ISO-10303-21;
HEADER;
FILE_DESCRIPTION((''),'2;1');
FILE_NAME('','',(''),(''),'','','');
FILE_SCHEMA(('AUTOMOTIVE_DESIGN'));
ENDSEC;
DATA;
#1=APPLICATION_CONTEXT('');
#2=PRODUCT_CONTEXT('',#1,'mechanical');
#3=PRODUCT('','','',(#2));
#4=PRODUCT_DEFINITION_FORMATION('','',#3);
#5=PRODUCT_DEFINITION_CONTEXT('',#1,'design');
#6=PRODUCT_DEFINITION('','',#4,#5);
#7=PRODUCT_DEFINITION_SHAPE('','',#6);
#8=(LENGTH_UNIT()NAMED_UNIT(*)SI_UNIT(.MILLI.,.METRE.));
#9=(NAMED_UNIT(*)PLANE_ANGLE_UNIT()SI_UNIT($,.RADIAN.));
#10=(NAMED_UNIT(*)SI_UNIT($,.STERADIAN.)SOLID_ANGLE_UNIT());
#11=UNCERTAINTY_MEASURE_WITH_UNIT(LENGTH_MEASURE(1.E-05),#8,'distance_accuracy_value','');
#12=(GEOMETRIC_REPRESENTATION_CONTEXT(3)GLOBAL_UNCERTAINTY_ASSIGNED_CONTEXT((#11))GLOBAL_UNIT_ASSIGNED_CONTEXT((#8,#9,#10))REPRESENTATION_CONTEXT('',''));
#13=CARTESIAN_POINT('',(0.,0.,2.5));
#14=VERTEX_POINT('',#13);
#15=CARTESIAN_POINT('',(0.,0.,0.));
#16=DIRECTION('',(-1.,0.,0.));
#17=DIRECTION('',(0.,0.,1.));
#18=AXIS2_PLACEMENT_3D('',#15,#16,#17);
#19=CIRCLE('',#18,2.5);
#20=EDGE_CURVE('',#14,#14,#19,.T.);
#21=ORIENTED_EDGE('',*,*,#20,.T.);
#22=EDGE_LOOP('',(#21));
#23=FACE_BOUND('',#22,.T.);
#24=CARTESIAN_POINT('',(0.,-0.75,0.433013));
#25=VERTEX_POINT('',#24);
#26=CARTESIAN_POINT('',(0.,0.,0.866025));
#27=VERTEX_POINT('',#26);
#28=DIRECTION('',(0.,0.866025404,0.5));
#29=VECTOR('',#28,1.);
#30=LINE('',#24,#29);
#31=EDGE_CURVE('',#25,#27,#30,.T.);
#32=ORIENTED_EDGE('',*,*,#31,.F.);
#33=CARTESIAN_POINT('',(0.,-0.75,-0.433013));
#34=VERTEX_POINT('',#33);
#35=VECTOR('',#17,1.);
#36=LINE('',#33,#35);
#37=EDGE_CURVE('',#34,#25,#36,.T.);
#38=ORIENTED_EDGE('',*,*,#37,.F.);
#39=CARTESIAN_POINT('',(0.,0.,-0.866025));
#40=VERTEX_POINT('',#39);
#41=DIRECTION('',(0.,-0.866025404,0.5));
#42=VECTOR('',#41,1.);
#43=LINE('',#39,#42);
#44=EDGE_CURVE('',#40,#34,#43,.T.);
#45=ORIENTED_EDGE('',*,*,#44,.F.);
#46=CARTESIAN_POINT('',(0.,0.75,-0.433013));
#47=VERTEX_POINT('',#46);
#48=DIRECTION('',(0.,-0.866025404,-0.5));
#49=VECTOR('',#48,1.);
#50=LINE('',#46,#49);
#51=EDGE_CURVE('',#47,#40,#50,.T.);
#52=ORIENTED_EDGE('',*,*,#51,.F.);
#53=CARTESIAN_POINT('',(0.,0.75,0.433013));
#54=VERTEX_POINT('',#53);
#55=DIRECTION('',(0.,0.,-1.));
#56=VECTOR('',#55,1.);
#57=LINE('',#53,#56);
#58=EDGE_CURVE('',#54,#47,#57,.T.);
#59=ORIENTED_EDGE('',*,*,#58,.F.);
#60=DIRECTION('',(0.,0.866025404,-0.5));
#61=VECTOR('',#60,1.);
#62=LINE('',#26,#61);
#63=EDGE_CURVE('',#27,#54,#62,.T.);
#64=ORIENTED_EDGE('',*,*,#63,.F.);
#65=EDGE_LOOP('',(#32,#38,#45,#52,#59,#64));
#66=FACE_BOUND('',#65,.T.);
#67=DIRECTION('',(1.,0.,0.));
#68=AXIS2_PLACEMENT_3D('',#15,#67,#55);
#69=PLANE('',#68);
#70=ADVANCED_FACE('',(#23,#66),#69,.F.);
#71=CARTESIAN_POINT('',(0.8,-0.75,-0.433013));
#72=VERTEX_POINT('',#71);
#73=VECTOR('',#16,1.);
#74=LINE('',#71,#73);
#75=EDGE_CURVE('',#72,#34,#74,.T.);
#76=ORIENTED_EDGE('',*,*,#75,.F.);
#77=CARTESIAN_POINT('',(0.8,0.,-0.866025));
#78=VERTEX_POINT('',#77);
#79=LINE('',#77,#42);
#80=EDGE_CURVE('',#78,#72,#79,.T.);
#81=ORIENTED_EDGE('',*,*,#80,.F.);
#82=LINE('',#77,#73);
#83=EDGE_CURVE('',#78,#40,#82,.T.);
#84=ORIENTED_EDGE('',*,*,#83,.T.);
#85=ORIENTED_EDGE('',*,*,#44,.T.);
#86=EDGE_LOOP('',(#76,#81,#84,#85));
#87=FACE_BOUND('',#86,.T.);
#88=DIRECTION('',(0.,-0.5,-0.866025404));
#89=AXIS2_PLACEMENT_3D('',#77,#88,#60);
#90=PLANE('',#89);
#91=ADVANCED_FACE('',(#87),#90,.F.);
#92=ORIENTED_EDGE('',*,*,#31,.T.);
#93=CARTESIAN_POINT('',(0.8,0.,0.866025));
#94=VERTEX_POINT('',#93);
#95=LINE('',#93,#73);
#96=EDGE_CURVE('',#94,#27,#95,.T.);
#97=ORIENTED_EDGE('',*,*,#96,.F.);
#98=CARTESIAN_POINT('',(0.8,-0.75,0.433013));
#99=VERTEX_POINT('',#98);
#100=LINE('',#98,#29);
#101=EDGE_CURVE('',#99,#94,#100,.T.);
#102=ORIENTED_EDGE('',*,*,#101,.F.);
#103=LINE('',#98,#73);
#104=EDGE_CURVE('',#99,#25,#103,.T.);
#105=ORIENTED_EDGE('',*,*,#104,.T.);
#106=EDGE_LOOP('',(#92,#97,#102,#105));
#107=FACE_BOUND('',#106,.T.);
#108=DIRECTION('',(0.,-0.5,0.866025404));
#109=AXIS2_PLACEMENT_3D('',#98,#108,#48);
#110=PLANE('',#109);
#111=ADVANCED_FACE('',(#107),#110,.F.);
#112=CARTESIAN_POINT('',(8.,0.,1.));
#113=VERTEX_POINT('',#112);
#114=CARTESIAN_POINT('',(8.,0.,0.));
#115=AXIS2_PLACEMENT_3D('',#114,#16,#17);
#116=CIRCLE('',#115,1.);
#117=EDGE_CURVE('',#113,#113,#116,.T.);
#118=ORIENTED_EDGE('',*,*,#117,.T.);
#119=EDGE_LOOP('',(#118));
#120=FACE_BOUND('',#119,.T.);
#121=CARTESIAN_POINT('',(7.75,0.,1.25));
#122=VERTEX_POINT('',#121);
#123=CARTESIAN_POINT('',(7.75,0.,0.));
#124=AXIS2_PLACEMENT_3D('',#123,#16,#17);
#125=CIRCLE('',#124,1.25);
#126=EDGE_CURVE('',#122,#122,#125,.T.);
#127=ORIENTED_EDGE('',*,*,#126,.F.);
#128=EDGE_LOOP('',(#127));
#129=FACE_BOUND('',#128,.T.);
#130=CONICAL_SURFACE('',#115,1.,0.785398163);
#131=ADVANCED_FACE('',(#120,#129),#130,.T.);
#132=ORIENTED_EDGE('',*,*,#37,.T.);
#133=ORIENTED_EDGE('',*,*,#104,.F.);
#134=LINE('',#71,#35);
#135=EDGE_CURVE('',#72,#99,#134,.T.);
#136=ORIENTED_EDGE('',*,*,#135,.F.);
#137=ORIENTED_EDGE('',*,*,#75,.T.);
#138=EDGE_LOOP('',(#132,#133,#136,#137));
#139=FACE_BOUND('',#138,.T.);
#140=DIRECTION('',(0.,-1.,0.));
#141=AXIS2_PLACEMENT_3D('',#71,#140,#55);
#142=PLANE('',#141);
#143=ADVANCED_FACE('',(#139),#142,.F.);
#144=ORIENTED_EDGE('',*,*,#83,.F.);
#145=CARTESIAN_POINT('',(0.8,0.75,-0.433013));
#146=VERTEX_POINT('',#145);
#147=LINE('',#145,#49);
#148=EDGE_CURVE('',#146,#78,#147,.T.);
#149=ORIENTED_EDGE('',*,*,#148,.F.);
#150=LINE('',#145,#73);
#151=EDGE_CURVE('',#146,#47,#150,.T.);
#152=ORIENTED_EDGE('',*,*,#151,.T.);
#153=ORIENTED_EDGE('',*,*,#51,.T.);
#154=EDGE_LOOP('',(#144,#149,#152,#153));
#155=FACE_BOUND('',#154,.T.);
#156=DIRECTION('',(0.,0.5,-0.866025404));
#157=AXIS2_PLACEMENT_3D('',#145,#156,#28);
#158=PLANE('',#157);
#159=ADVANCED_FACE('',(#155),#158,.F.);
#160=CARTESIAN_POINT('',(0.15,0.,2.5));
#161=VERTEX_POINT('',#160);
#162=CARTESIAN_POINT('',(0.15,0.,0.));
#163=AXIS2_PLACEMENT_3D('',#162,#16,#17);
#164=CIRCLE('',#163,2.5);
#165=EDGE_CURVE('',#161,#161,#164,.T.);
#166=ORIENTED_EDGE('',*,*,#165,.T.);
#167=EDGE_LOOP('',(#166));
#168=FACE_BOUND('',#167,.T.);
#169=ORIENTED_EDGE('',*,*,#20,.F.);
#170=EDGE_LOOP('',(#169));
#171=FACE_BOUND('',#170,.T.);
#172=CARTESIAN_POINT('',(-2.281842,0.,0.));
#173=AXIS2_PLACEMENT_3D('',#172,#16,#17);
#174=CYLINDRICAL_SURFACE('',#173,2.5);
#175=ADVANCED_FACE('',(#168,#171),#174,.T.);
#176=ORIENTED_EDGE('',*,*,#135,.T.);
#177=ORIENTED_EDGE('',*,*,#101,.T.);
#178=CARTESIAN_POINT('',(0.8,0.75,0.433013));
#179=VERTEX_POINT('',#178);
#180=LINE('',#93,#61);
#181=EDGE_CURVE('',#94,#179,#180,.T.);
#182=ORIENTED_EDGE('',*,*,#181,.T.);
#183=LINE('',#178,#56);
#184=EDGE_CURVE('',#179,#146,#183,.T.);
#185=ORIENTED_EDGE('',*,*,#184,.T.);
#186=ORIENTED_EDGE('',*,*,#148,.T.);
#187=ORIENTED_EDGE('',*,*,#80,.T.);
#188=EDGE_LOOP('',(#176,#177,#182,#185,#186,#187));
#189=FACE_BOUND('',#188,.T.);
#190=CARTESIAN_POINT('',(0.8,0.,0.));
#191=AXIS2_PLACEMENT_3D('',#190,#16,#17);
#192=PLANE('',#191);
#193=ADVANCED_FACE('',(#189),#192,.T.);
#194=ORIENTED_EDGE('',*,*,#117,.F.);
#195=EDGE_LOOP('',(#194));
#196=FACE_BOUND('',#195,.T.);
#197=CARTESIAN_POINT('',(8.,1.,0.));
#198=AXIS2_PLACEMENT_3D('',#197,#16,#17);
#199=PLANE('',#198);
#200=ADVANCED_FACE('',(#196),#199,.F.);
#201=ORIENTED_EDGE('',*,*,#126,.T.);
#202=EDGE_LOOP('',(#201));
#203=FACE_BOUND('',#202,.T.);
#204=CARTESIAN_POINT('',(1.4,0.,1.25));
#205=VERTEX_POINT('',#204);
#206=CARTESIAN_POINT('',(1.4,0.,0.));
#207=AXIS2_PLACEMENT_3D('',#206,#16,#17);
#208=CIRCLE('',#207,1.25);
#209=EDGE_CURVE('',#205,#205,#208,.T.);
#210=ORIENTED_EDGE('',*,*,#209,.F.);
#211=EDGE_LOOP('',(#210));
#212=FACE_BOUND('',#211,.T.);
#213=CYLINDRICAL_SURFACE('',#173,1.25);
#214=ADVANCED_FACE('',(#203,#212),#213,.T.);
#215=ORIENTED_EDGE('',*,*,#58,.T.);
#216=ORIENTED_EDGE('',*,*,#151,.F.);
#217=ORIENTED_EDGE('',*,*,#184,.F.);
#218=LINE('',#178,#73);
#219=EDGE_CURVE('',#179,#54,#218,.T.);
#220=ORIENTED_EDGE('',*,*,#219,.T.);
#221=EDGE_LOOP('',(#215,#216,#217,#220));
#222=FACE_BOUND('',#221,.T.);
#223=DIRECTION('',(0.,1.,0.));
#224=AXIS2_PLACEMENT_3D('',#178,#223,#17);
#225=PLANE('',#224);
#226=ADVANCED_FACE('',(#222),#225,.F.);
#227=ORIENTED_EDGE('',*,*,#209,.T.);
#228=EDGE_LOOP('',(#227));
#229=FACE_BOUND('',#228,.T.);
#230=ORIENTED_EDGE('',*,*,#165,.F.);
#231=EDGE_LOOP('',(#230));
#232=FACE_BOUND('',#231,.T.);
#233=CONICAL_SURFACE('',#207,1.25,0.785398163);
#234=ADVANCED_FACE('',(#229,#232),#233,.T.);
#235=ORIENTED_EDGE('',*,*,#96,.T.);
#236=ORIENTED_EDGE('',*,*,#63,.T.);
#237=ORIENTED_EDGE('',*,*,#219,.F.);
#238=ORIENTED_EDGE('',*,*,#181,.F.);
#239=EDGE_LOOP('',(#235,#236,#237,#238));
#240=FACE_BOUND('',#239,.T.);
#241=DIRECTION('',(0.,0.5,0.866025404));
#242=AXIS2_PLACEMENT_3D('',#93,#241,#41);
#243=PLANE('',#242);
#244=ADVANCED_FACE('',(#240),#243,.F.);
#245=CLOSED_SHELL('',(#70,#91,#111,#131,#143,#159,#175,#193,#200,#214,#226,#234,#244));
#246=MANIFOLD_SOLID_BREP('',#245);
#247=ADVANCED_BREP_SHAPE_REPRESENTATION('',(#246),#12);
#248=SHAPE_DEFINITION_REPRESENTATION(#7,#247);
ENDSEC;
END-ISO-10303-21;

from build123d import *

# Parameters (mm, degrees)
CUT_EXTRUDE1_DEPTH = 0.8


with BuildPart() as part:
    # Sketch2 → Revolve1 (revolve)
    with BuildSketch(Plane.XY):
        Polygon((0, 0), (0, 2.5), (0.15, 2.5), (1.4, 1.25), (7.75, 1.25), (8, 1), (8, 0), align=None)
    revolve(axis=Axis((-2.281841559, 0, 0), (1, 0, 0)))

    # Sketch3 → Cut-Extrude1 (cut)
    with BuildSketch(Plane.ZY):
        Polygon((0.433012702, -0.75), (0.866025404, 0), (0.433012702, 0.75), (-0.433012702, 0.75), (-0.866025404, 0), (-0.433012702, -0.75), align=None)
    extrude(amount=-CUT_EXTRUDE1_DEPTH, mode=Mode.SUBTRACT)


solid = part.part
